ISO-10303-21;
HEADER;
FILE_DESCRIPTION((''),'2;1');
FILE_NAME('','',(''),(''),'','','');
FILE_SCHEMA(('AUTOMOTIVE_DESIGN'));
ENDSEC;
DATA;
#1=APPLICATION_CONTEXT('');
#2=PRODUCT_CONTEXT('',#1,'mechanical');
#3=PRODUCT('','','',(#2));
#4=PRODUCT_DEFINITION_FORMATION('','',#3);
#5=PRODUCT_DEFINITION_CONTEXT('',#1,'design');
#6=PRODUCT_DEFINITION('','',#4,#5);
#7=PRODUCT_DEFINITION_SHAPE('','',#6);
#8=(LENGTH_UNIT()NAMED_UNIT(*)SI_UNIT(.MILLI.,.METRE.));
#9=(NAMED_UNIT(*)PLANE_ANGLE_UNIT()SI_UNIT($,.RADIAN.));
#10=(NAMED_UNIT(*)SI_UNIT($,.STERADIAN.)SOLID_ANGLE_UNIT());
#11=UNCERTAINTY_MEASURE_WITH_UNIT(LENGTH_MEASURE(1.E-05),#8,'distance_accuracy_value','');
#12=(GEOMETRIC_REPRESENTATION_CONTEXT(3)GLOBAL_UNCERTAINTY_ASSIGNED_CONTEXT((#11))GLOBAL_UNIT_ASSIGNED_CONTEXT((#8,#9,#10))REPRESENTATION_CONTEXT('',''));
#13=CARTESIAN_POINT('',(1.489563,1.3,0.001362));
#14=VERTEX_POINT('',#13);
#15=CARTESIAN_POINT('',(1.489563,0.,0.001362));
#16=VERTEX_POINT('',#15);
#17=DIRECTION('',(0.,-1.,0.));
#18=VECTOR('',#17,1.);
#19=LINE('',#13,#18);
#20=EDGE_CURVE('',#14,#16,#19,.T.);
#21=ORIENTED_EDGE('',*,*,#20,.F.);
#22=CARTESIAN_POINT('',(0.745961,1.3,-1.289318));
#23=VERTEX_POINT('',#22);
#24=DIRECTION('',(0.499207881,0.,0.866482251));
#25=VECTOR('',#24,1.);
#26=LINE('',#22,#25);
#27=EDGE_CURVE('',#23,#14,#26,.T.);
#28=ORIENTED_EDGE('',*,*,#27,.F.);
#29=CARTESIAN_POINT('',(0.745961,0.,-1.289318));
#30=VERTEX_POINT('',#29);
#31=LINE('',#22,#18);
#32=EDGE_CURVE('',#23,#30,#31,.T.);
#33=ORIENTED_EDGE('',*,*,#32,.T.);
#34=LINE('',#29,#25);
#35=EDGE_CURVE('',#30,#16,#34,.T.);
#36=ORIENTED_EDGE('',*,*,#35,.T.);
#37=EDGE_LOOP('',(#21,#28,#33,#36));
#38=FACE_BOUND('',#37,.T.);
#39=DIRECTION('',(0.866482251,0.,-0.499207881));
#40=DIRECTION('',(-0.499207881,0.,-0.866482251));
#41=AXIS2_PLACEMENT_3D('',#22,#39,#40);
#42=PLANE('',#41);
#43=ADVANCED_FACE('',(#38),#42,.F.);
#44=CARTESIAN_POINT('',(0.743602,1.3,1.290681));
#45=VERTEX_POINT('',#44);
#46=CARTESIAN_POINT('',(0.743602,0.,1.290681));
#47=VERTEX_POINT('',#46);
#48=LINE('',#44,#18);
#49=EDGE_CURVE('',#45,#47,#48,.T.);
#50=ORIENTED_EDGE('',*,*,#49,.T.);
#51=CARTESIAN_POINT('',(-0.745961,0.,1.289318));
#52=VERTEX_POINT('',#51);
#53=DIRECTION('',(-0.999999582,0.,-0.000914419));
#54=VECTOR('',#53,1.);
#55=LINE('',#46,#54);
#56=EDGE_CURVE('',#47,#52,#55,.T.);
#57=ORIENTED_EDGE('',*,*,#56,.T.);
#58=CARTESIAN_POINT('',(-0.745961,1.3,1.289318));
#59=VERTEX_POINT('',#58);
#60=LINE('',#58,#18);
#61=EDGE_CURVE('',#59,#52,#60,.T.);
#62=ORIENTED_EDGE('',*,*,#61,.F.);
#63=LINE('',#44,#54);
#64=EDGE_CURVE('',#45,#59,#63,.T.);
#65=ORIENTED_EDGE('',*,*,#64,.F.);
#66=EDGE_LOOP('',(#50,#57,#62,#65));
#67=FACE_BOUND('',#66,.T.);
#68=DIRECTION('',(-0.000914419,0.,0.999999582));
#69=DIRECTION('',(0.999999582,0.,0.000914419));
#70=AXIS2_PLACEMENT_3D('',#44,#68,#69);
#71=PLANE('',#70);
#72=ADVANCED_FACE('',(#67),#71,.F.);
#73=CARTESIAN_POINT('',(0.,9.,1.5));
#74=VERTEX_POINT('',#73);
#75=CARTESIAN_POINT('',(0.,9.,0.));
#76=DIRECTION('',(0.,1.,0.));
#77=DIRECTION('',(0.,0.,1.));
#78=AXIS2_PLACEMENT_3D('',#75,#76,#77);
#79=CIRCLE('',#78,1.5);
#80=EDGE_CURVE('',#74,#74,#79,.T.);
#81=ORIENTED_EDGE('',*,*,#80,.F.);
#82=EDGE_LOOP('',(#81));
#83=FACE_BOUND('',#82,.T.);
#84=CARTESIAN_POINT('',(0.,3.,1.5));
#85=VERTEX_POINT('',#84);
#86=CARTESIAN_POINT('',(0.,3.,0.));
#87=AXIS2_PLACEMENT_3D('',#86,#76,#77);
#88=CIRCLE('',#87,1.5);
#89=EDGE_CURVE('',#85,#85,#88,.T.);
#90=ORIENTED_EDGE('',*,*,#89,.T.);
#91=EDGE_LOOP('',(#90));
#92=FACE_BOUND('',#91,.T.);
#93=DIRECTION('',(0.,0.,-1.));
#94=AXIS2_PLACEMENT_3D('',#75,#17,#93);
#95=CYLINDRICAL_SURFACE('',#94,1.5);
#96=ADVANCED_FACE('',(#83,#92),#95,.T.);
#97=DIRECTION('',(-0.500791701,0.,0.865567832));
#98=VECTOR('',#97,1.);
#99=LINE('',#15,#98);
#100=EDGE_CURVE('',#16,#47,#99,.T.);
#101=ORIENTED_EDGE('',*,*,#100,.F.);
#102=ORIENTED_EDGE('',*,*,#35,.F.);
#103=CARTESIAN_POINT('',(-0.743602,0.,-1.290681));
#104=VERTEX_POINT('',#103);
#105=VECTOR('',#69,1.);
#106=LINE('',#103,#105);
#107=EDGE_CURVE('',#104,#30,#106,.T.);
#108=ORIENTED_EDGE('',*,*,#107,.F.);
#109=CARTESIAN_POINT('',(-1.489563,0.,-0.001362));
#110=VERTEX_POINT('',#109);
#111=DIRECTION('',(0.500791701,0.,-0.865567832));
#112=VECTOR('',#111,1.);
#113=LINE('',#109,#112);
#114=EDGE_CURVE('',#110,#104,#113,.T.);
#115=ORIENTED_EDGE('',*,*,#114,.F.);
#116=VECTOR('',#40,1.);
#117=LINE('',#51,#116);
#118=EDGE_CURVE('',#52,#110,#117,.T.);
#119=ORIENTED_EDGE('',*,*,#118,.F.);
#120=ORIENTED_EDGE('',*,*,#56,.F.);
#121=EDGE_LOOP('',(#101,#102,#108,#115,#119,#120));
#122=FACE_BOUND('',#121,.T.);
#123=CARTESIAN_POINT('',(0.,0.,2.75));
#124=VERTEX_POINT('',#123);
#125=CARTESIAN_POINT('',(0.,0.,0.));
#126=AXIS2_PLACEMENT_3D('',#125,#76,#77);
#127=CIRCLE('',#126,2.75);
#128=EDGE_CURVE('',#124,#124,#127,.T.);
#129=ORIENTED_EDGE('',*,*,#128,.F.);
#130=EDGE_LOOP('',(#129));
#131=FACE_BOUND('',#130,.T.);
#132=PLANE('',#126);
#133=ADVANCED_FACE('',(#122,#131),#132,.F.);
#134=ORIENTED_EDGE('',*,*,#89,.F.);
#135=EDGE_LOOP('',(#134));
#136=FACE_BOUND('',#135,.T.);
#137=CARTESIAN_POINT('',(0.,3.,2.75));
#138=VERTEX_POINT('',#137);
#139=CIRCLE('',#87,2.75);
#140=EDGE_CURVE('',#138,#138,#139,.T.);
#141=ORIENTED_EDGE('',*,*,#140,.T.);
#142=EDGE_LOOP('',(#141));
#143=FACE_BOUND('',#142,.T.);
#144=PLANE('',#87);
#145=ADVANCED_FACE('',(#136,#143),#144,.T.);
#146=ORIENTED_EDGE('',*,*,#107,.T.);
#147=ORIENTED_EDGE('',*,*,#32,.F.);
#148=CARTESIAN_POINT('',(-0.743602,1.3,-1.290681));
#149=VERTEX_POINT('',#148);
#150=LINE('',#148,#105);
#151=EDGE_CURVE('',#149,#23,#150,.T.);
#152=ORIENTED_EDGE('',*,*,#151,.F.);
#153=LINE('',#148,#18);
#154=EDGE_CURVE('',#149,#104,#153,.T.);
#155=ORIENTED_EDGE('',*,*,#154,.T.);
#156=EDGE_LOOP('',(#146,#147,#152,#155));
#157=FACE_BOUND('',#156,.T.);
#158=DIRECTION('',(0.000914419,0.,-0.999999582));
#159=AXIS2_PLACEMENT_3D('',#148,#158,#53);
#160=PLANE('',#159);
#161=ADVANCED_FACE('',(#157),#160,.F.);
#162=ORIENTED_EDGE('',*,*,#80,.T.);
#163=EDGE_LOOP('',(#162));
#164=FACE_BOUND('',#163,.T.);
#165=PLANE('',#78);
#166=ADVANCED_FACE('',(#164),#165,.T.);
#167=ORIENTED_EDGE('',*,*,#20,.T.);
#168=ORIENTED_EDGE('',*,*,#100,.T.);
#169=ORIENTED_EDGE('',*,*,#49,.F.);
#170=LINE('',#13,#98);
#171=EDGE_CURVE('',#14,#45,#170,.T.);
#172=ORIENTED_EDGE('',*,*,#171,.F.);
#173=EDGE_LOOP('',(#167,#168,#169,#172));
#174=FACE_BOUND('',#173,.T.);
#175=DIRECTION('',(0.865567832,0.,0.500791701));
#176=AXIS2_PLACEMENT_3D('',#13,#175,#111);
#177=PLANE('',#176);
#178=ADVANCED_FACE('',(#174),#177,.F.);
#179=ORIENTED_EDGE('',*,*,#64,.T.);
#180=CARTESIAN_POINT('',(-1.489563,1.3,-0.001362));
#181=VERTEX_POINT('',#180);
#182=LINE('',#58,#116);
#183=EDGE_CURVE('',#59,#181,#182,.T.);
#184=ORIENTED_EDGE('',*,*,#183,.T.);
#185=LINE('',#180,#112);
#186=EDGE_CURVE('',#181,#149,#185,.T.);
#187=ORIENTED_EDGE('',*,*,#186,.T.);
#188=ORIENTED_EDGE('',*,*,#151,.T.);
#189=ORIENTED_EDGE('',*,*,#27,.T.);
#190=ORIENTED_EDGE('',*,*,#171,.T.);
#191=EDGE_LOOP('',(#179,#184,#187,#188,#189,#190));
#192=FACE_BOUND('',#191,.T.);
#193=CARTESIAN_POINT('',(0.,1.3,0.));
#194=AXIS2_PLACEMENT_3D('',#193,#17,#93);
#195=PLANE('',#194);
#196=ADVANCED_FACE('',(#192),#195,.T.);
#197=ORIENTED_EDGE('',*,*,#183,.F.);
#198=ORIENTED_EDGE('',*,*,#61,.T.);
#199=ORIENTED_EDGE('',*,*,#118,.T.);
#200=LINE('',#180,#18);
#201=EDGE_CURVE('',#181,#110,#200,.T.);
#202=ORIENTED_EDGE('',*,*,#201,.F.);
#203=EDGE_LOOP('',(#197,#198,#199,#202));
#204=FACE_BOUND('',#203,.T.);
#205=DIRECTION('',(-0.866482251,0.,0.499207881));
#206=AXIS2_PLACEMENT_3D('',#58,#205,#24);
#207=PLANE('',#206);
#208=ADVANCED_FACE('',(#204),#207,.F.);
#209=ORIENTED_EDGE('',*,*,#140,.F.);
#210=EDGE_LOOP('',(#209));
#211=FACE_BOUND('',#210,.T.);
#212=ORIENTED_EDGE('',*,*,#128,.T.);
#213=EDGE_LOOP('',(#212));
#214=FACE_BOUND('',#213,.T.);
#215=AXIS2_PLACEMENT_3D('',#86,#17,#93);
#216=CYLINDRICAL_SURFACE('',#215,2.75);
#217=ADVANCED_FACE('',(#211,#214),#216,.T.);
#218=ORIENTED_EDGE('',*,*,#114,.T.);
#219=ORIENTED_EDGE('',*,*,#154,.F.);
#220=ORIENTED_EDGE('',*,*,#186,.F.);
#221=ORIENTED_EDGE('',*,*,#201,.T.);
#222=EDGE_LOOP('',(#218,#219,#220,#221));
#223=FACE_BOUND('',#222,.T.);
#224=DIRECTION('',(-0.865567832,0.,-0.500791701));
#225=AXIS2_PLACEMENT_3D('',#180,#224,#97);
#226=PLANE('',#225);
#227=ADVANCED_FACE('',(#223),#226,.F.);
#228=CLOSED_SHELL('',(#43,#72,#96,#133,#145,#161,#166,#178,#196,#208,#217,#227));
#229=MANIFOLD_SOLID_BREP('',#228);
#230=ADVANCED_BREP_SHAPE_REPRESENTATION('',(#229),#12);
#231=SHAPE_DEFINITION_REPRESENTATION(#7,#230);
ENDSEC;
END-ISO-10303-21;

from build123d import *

# Parameters (mm, degrees)
SKETCH_1_R          = 2.75
EXTRUDE_1_DEPTH     = 3
SKETCH_2_R          = 1.5
EXTRUDE_2_DEPTH     = 6
CUT_EXTRUDE_1_DEPTH = 1.3


with BuildPart() as part:
    # 草图1 → 凸台-拉伸1 (new body)
    with BuildSketch(Plane(origin=(0, 0, 0), x_dir=(1, 0, 0), z_dir=(0, 1, 0))):
        Circle(SKETCH_1_R)
    extrude(amount=EXTRUDE_1_DEPTH)

    # 草图2 → 凸台-拉伸2 (add)
    with BuildSketch(Plane(origin=(0, 3, 0), x_dir=(1, 0, 0), z_dir=(0, 1, 0))):
        Circle(SKETCH_2_R)
    extrude(amount=EXTRUDE_2_DEPTH)

    # 草图3 → 切除-拉伸1 (cut)
    with BuildSketch(Plane.XZ):
        Polygon((0.743601936, 1.290680503), (-0.745961136, 1.289318418), (-1.489563072, -0.001362085), (-0.743601936, -1.290680503), (0.745961136, -1.289318418), (1.489563072, 0.001362085), align=None)
    extrude(amount=-CUT_EXTRUDE_1_DEPTH, mode=Mode.SUBTRACT)


solid = part.part
